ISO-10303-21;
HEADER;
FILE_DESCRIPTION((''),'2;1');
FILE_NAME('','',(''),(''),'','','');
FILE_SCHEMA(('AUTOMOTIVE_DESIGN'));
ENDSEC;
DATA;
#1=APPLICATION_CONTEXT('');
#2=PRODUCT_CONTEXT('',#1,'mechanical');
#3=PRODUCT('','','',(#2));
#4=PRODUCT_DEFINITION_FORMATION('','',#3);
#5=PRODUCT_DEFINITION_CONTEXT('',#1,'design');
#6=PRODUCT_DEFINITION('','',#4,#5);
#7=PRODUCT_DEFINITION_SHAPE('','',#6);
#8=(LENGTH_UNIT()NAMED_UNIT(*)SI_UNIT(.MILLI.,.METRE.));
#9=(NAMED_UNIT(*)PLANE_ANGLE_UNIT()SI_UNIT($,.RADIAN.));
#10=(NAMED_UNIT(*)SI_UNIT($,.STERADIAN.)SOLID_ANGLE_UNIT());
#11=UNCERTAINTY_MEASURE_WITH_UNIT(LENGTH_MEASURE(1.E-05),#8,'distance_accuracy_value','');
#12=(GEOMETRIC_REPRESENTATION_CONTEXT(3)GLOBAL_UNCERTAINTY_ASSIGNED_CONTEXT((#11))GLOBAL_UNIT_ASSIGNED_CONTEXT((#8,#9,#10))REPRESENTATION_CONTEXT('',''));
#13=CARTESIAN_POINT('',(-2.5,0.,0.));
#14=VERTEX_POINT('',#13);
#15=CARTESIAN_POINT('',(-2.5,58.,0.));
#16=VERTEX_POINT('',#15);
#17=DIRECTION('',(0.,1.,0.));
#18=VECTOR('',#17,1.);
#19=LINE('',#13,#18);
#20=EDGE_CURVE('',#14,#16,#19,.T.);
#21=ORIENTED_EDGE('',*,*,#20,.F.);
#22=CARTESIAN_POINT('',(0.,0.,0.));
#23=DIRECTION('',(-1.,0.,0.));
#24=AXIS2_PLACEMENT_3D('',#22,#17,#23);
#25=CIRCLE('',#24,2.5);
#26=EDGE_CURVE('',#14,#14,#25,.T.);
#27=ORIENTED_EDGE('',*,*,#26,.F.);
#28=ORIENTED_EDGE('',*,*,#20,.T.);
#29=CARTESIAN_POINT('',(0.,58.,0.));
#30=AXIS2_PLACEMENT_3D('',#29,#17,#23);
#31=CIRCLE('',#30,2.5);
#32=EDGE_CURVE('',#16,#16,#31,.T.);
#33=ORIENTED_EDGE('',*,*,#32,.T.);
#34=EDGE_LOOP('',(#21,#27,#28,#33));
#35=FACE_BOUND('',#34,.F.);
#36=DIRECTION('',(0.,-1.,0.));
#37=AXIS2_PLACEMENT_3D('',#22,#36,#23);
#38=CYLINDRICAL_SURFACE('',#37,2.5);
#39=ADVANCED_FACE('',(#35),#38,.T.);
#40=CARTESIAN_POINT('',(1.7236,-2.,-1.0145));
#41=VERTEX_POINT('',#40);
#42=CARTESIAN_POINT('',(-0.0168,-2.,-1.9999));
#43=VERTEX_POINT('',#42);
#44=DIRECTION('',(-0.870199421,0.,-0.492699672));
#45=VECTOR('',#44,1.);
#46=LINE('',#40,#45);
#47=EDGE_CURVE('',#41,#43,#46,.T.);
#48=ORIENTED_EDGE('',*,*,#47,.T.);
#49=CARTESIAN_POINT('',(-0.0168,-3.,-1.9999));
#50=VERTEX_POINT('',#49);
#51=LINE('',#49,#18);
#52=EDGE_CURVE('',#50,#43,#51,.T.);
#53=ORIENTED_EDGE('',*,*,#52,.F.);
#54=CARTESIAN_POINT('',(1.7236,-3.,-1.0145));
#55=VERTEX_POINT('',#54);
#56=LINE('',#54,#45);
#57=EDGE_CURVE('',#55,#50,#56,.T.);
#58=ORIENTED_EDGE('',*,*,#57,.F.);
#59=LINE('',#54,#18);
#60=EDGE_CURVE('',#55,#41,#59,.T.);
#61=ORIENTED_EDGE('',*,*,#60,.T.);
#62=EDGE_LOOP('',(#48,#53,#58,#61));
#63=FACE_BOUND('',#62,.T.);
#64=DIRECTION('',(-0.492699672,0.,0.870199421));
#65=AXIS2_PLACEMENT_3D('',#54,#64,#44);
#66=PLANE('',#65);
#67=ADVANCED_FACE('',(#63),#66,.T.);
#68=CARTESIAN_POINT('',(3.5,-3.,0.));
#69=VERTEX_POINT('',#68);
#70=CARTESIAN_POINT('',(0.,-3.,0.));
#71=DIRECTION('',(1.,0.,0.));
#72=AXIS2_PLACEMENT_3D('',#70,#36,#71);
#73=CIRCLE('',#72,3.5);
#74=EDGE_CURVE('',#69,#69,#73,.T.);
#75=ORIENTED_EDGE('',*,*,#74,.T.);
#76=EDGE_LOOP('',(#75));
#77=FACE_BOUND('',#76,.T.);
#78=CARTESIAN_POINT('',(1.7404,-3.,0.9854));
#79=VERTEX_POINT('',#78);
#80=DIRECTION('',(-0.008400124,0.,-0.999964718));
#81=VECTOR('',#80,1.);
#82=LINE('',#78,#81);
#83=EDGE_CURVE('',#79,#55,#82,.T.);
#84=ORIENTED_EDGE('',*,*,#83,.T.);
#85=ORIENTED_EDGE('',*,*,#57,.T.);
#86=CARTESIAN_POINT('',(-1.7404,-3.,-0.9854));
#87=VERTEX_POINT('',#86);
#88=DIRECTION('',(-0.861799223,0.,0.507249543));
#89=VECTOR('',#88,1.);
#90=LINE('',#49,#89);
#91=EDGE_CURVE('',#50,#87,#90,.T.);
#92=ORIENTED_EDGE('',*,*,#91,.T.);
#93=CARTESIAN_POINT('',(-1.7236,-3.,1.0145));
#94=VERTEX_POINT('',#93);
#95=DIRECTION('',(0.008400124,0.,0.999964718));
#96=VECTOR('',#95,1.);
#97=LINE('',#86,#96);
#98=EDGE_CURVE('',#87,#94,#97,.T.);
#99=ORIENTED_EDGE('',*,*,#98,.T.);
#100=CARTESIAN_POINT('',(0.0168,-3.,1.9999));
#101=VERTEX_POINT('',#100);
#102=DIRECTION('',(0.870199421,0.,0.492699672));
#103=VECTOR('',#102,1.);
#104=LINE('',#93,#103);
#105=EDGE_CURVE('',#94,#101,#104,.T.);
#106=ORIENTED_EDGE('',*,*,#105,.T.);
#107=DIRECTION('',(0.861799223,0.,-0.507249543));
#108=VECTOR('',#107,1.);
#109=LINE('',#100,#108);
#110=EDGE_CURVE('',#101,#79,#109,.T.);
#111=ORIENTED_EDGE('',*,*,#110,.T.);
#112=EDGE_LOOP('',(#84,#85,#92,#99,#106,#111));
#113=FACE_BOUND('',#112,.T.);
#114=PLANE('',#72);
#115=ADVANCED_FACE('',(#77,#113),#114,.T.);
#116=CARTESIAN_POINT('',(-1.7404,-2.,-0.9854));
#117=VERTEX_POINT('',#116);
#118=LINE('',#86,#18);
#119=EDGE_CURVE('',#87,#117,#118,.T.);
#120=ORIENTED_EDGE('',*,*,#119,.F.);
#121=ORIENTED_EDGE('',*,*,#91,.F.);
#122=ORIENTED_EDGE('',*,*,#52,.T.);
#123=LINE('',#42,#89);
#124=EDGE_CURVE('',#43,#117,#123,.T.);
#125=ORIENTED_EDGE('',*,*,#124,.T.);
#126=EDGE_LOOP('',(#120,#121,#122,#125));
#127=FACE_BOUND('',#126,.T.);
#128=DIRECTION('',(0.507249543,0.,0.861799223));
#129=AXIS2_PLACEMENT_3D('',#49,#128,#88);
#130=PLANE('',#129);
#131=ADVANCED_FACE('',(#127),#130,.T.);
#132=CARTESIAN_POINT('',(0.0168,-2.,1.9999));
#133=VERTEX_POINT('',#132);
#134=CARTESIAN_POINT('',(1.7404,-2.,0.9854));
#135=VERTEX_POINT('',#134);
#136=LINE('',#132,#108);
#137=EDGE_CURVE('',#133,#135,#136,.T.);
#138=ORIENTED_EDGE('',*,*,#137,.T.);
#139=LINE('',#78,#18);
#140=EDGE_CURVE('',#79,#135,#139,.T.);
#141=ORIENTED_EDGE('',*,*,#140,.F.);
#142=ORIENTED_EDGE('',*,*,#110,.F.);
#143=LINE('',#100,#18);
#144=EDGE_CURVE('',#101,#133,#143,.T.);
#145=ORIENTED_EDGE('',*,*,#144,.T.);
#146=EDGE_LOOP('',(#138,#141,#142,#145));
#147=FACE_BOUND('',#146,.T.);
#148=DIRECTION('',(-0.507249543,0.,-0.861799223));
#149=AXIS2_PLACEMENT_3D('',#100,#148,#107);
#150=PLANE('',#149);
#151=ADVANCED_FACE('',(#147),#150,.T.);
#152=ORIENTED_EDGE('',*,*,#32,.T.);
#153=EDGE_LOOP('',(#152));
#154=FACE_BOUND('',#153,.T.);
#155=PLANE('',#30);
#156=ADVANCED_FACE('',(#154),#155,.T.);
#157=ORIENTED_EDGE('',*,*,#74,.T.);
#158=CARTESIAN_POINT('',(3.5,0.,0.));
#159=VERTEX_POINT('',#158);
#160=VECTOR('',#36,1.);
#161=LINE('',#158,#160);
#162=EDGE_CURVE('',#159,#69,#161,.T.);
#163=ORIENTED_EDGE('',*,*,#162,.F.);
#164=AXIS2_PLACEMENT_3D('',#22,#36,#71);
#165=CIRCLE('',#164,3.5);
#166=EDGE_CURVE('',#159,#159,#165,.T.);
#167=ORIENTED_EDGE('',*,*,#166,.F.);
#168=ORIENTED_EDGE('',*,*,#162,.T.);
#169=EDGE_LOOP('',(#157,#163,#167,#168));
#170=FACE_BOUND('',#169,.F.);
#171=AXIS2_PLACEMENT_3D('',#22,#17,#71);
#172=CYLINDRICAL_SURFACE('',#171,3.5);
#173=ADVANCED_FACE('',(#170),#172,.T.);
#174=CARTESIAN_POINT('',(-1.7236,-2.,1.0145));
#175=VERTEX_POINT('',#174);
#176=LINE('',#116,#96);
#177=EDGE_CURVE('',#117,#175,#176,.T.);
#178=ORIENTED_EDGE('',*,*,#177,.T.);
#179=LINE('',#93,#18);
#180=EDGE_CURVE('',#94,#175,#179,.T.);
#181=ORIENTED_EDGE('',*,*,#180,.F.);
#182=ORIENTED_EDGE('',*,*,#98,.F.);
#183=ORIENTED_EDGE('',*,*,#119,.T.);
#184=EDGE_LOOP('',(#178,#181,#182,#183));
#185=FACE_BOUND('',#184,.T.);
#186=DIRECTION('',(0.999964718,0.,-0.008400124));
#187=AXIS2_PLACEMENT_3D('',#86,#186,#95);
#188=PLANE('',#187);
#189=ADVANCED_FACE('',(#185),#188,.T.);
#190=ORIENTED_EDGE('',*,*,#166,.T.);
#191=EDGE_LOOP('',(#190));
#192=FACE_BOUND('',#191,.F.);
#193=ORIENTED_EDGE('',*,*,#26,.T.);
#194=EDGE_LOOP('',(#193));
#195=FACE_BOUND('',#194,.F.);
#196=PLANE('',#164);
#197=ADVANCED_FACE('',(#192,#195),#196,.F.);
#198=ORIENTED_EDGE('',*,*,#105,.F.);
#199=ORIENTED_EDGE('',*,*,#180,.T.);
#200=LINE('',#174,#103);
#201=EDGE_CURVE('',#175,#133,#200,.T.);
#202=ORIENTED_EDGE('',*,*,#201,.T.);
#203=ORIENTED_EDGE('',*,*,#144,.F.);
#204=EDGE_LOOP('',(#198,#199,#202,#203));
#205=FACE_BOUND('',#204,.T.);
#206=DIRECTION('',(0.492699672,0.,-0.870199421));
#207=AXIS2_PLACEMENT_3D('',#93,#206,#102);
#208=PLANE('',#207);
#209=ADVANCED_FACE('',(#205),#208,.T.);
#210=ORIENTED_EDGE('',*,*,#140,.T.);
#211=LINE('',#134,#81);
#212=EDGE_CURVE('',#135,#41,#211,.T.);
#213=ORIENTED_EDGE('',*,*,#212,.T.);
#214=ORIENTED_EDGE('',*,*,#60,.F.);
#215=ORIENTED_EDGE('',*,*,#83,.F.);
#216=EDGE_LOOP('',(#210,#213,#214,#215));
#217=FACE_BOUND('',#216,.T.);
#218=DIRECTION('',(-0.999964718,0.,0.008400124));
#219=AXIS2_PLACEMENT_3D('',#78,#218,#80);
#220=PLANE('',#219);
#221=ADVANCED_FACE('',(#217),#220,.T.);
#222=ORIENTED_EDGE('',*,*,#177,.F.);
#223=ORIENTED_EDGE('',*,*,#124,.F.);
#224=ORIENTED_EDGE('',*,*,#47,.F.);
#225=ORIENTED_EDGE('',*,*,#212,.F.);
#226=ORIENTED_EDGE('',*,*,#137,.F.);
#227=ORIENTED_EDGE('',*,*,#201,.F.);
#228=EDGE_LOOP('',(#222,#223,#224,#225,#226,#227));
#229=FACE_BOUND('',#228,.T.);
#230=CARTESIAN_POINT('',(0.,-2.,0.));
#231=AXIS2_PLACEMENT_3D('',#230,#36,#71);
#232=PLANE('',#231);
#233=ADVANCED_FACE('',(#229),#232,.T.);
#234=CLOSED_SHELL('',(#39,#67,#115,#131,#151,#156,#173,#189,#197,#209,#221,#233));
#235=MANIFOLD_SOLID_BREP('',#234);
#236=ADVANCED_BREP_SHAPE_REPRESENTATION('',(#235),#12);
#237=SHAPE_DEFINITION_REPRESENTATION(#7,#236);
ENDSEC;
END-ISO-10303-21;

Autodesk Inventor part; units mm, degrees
ref_plane "YZ Plane" through (0, 0, 0) normal (1, 0, 0) x (0, 1, 0)
ref_plane "XZ Plane" through (0, 0, 0) normal (0, 1, 0) x (-1, 0, 0)
ref_plane "XY Plane" through (0, 0, 0) normal (0, 0, 1) x (1, 0, 0)
sketch "Sketch1" plane through (0, 0, 0) normal (0, 1, 0) x (-1, 0, 0)
  circle A0 centre (0, 0) radius 2.5
  dimension "d0" = 5
extrude "Extrusion1" add sketch "Sketch1" along normal blind 58
sketch "Sketch2" plane through (0, 0, 0) normal (0, -1, 0) x (1, 0, 0)
  circle A0 centre (0, 0) radius 3.5
  dimension "d3" = 7
extrude "Extrusion2" add sketch "Sketch2" along normal blind 3
thread "Thread1" size "M5x0.8" class "6g" standard "ANSI Metric M Profile" length 7.5
sketch "Sketch3" plane through (0, -3, 0) normal (0, -1, 0) x (1, 0, 0)
  circle A0 centre (0, 0) radius 2.5 projected
  line L0 (1.7236, -1.0145) -> (-0.0168, -1.9999)
  line L1 (-0.0168, -1.9999) -> (-1.7404, -0.9854)
  line L2 (-1.7404, -0.9854) -> (-1.7236, 1.0145)
  line L3 (-1.7236, 1.0145) -> (0.0168, 1.9999)
  line L4 (0.0168, 1.9999) -> (1.7404, 0.9854)
  line L5 (1.7404, 0.9854) -> (1.7236, -1.0145)
extrude "Extrusion3" cut sketch "Sketch3" against normal blind 1 contours L0 L1 L2 L3 L4 L5
properties part number "Connector_1" material "Steel, Mild"
